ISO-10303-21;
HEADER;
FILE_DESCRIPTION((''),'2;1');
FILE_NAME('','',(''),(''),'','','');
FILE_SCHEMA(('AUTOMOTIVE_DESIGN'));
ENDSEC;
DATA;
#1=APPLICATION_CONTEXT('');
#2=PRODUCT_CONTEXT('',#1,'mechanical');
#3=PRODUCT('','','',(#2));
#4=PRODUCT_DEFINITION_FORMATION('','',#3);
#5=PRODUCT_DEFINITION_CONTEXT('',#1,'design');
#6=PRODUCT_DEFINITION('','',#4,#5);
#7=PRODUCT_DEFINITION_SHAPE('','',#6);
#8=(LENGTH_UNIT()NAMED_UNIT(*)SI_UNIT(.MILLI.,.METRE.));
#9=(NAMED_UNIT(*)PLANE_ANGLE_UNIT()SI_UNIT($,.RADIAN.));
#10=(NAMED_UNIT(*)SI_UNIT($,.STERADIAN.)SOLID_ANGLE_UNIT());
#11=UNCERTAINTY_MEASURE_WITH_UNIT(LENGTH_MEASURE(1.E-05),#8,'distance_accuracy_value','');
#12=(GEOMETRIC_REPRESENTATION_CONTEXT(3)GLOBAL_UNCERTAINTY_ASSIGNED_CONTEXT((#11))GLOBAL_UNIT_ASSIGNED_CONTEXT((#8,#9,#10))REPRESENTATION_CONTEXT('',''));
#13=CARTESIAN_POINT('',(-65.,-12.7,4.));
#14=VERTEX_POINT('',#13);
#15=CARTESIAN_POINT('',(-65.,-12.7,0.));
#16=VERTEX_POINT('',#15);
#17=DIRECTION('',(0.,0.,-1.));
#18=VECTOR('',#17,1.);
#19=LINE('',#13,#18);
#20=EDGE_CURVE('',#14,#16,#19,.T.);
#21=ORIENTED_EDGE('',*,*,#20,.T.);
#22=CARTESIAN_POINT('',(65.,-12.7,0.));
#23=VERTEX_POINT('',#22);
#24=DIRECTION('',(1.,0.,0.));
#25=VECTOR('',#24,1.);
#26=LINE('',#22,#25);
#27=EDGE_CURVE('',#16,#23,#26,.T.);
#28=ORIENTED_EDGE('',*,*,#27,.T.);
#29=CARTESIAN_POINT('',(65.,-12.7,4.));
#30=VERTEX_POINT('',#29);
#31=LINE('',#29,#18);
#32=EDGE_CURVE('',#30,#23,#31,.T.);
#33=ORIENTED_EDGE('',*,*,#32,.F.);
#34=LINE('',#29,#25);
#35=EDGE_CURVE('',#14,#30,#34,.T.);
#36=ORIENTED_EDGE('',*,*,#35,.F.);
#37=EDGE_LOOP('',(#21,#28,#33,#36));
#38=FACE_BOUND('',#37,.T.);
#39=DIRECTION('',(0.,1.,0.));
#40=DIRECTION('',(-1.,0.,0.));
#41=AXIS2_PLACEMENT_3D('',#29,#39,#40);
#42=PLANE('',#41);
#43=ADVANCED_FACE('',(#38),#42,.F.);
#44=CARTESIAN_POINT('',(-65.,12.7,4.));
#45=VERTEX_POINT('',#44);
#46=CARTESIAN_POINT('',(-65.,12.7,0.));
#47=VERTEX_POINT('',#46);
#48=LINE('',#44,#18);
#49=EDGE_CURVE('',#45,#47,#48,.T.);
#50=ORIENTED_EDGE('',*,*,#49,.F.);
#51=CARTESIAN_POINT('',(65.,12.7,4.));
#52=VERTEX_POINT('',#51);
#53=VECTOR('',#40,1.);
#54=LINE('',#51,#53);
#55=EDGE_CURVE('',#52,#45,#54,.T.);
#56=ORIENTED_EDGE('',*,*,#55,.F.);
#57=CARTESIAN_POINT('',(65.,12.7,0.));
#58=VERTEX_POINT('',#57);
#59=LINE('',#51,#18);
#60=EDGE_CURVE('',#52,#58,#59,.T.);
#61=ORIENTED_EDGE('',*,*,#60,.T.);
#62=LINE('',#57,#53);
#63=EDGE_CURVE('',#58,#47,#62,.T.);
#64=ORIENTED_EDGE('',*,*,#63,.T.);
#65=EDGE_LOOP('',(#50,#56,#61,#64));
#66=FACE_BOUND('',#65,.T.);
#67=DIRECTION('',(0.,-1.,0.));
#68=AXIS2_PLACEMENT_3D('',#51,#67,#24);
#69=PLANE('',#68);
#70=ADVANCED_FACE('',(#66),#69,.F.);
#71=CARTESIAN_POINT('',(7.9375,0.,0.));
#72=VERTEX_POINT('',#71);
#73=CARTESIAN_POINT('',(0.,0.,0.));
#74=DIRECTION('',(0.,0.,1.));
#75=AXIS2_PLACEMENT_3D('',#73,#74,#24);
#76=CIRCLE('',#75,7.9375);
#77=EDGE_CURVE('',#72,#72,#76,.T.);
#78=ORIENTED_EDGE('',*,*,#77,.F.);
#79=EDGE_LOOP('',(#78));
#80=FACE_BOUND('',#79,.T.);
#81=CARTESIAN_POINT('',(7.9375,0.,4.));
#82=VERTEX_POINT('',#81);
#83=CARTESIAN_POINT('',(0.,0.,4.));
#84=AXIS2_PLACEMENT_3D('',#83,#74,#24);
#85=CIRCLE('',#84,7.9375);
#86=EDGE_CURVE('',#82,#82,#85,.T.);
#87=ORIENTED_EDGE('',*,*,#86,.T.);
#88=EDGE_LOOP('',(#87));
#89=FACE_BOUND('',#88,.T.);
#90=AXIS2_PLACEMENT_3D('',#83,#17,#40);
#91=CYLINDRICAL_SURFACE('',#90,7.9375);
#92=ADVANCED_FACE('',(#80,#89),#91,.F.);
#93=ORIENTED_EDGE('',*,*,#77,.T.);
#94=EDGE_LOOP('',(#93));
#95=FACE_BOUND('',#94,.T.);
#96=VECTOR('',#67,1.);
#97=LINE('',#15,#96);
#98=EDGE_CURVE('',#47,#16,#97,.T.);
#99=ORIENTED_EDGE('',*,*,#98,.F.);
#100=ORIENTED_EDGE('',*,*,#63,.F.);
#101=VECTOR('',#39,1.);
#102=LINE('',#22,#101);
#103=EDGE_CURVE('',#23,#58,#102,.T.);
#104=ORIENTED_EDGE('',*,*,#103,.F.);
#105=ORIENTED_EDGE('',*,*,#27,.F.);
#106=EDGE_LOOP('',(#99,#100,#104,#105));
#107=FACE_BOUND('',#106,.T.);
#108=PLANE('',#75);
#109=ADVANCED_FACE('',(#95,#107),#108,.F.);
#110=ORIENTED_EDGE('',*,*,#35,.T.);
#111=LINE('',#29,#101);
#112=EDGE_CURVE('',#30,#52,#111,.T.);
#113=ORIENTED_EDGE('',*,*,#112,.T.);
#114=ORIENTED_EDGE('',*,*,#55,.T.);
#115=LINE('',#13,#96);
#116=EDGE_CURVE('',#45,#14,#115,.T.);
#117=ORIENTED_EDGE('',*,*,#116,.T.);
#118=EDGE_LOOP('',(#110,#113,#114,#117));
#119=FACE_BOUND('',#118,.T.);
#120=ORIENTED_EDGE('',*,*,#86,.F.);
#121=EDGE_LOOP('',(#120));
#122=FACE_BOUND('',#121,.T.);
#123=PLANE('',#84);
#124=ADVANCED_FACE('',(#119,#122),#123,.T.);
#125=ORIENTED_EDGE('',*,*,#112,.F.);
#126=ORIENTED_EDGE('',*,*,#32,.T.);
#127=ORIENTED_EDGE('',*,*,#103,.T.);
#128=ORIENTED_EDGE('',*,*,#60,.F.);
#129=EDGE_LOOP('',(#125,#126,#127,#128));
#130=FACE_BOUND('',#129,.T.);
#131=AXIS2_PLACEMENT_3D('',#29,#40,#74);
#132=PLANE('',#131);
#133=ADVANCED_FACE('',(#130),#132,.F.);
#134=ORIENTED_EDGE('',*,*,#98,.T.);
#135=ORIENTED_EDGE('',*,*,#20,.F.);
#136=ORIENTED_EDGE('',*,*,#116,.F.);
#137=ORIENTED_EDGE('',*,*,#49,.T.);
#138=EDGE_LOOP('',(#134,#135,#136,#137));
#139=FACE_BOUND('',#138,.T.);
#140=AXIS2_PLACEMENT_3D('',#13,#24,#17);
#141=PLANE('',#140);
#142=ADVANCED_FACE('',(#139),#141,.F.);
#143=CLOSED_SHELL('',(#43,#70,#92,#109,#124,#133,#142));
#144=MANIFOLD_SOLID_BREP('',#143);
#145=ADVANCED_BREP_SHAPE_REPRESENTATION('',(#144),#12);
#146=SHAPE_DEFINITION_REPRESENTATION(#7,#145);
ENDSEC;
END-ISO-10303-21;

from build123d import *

# Parameters (mm, degrees)
CROQUIS1_W              = 130
CROQUIS1_H              = 25.4
CROQUIS1_R              = 7.9375
SALIENTE_EXTRUIR1_DEPTH = 4


with BuildPart() as part:
    # Croquis1 → Saliente-Extruir1 (new body)
    with BuildSketch(Plane.XY):
        Rectangle(CROQUIS1_W, CROQUIS1_H)
        Circle(CROQUIS1_R, mode=Mode.SUBTRACT)
    extrude(amount=SALIENTE_EXTRUIR1_DEPTH)


solid = part.part
